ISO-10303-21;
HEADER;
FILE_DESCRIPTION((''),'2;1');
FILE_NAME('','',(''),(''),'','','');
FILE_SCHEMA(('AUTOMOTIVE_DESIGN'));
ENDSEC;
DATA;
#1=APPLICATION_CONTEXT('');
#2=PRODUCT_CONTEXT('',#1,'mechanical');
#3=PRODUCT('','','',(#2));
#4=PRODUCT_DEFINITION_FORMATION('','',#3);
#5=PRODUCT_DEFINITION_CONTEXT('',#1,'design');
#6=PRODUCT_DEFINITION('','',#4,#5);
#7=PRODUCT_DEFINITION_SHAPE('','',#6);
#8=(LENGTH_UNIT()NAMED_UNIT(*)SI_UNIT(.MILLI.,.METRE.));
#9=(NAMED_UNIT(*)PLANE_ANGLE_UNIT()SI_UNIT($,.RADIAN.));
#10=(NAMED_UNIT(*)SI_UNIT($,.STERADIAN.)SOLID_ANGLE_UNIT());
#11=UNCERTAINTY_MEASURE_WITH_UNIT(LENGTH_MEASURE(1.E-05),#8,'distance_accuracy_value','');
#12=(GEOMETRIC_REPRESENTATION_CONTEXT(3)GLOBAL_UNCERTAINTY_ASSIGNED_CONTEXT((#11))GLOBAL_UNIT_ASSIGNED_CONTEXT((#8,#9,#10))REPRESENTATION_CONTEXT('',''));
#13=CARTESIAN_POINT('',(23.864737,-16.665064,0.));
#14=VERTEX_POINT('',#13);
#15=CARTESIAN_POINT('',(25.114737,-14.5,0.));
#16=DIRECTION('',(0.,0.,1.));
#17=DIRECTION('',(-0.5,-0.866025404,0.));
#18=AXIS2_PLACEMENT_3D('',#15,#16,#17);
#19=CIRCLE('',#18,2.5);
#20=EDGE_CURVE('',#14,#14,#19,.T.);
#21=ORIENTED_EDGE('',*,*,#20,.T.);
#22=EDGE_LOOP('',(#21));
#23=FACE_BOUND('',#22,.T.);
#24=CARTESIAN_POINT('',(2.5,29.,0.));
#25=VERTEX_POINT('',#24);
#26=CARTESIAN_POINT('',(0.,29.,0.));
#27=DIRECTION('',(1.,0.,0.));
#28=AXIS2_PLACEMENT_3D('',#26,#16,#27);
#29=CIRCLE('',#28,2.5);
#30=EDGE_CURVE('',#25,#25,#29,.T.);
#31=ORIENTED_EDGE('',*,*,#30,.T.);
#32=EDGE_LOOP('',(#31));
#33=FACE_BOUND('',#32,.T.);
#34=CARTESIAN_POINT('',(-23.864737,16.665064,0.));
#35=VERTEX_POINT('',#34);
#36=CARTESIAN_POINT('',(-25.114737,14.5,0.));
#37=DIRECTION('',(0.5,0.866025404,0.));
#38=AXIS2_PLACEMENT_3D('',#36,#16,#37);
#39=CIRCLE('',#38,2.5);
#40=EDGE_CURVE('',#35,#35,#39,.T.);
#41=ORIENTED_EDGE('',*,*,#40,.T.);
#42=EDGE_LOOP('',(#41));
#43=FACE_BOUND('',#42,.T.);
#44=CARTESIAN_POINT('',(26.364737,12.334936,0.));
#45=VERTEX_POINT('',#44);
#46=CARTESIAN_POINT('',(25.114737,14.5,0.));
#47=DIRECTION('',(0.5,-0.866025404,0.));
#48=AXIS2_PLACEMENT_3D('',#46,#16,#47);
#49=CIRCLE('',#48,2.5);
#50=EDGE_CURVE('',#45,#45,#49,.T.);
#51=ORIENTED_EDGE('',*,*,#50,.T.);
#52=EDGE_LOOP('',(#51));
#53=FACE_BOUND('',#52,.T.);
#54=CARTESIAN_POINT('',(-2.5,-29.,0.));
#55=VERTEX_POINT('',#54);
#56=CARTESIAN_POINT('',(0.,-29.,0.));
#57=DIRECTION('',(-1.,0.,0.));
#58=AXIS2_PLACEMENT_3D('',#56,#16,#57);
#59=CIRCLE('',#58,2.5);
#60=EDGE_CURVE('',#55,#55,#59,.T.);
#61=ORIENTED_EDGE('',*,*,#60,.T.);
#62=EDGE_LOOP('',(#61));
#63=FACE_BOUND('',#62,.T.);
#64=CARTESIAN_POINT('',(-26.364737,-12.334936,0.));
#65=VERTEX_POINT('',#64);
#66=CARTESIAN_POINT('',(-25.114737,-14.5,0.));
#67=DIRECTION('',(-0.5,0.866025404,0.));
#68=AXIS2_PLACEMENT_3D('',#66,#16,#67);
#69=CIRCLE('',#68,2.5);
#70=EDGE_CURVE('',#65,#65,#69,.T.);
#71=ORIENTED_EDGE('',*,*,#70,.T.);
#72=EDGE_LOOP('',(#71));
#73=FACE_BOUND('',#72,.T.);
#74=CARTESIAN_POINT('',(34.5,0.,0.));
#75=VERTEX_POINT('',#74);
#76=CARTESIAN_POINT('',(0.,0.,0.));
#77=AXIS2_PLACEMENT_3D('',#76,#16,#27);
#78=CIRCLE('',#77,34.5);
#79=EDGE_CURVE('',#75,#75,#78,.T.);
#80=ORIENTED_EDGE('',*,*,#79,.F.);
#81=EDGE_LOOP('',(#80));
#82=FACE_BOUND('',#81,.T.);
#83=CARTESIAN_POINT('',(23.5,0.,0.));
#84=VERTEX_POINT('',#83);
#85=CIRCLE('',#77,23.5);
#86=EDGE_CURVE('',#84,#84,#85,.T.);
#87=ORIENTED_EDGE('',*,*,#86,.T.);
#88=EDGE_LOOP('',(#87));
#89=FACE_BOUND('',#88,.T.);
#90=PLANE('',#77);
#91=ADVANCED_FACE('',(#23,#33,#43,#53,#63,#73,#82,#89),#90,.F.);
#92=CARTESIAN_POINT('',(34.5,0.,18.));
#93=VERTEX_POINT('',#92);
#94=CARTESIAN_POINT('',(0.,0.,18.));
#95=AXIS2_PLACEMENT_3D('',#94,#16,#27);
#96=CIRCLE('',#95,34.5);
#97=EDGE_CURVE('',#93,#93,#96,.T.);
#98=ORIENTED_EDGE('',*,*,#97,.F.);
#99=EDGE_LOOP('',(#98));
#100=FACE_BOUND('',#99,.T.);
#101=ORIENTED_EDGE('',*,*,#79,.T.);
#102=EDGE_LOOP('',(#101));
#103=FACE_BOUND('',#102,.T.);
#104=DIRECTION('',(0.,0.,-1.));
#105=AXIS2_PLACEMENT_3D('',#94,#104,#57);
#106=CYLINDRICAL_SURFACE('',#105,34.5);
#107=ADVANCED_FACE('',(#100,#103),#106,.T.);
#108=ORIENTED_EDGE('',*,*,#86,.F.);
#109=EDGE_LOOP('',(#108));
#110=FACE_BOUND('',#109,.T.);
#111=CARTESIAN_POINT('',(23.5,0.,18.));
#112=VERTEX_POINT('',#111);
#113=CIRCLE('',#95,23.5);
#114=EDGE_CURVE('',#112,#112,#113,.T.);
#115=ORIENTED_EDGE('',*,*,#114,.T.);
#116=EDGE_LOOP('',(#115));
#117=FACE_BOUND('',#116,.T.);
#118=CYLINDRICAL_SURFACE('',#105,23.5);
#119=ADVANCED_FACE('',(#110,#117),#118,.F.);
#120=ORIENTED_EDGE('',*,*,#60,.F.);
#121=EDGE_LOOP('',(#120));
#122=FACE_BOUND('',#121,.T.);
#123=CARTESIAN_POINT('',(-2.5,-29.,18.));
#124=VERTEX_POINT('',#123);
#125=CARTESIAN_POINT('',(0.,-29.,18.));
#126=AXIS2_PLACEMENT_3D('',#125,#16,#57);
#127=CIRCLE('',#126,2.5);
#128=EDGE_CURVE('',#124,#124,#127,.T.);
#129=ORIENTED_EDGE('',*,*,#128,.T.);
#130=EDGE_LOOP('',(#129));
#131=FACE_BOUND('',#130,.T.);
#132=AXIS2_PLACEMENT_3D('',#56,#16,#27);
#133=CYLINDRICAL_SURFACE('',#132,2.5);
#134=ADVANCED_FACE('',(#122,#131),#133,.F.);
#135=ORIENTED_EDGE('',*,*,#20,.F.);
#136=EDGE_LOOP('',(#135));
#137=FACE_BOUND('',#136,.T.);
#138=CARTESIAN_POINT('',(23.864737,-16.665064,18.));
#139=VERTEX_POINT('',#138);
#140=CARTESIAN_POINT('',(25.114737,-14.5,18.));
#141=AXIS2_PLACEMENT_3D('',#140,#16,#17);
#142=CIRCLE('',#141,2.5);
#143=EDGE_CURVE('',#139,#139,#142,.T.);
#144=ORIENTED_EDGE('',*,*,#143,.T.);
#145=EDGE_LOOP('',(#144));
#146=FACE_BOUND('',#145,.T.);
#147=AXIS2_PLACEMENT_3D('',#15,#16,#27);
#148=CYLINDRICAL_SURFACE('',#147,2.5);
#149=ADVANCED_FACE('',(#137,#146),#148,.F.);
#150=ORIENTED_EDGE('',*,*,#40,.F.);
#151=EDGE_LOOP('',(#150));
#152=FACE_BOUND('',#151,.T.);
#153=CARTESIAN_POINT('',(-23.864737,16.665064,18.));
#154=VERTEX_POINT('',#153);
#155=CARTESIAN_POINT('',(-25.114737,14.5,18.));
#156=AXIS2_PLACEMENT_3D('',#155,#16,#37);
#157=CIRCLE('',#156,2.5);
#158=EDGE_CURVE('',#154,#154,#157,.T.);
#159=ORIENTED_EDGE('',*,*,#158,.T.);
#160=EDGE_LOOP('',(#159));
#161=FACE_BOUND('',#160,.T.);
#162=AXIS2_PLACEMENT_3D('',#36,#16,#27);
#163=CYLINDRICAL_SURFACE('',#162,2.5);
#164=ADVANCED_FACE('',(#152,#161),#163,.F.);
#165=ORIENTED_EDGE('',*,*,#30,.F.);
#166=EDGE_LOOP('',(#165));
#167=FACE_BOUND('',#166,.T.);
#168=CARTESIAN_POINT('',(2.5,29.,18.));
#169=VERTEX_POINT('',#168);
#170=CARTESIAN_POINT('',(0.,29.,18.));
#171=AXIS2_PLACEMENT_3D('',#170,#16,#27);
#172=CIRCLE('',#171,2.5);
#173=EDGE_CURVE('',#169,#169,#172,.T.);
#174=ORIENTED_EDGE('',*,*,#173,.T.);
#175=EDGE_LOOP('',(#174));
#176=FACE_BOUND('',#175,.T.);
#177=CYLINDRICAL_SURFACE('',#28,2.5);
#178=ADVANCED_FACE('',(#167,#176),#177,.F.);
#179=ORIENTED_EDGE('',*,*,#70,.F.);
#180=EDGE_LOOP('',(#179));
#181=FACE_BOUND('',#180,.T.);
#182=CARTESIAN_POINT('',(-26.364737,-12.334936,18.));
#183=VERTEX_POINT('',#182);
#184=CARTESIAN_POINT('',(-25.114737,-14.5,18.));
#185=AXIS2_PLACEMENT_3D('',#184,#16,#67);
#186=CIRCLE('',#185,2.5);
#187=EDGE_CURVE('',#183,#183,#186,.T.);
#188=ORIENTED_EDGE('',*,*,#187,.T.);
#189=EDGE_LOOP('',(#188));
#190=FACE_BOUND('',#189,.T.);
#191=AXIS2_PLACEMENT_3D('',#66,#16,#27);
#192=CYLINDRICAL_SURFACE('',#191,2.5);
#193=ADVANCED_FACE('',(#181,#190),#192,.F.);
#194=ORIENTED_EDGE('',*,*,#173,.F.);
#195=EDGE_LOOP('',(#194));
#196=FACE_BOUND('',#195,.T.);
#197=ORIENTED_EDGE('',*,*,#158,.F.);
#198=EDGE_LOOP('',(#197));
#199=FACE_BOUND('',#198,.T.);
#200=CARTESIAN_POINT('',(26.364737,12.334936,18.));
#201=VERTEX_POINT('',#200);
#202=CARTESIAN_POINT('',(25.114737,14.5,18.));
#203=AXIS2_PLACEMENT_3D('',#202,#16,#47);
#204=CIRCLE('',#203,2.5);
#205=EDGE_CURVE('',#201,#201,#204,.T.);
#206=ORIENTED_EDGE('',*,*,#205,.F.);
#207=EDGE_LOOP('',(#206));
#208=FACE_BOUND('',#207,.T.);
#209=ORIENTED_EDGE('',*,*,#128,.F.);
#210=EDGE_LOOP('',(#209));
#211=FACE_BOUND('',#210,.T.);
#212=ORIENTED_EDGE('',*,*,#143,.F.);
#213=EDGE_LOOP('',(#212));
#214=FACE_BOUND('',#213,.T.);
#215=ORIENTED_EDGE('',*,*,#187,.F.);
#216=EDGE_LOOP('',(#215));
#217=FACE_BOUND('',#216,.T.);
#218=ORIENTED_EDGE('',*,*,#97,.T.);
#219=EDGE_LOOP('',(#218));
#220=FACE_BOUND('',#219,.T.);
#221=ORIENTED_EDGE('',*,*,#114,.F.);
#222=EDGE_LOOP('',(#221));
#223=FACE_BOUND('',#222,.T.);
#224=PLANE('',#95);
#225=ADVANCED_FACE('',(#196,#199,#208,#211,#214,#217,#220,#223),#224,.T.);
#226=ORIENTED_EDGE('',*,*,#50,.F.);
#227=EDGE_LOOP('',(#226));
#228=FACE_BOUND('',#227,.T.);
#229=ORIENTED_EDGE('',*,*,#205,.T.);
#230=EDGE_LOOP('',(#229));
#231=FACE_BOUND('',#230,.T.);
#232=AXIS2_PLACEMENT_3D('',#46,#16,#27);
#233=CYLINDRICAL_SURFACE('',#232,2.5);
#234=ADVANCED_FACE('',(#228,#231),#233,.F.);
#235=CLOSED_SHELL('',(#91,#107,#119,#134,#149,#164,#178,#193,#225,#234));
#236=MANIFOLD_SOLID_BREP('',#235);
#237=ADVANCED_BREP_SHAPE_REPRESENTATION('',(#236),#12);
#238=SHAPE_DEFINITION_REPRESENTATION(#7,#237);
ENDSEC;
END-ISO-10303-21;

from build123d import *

# Parameters (mm, degrees)
SKETCH1_R          = 34.5
SKETCH1_R_2        = 23.5
BODY_DEPTH         = 18
SKETCH2_R          = 2.5
BOLT_HOLE_DEPTH    = 53.00480747
BOLT_PATTERN_COUNT = 6


with BuildPart() as part:
    # Sketch1 → Body (new body)
    with BuildSketch(Plane.XY):
        Circle(SKETCH1_R)
        Circle(SKETCH1_R_2, mode=Mode.SUBTRACT)
    extrude(amount=BODY_DEPTH)

    # Sketch2 → Bolt Hole (cut, through all)
    with BuildSketch(Plane.XY.offset(18)):
        with Locations((0, 29)):
            Circle(SKETCH2_R)
    bolt_hole = extrude(amount=-BOLT_HOLE_DEPTH, mode=Mode.SUBTRACT)

    # Bolt Pattern: Bolt Hole ×6 about axis
    bolt_pattern_axis = Axis((0, 0, 0), (0, 0, 1))
    for i in range(1, BOLT_PATTERN_COUNT):
        add(bolt_hole.rotate(bolt_pattern_axis, i * 360 / BOLT_PATTERN_COUNT), mode=Mode.SUBTRACT)


solid = part.part
